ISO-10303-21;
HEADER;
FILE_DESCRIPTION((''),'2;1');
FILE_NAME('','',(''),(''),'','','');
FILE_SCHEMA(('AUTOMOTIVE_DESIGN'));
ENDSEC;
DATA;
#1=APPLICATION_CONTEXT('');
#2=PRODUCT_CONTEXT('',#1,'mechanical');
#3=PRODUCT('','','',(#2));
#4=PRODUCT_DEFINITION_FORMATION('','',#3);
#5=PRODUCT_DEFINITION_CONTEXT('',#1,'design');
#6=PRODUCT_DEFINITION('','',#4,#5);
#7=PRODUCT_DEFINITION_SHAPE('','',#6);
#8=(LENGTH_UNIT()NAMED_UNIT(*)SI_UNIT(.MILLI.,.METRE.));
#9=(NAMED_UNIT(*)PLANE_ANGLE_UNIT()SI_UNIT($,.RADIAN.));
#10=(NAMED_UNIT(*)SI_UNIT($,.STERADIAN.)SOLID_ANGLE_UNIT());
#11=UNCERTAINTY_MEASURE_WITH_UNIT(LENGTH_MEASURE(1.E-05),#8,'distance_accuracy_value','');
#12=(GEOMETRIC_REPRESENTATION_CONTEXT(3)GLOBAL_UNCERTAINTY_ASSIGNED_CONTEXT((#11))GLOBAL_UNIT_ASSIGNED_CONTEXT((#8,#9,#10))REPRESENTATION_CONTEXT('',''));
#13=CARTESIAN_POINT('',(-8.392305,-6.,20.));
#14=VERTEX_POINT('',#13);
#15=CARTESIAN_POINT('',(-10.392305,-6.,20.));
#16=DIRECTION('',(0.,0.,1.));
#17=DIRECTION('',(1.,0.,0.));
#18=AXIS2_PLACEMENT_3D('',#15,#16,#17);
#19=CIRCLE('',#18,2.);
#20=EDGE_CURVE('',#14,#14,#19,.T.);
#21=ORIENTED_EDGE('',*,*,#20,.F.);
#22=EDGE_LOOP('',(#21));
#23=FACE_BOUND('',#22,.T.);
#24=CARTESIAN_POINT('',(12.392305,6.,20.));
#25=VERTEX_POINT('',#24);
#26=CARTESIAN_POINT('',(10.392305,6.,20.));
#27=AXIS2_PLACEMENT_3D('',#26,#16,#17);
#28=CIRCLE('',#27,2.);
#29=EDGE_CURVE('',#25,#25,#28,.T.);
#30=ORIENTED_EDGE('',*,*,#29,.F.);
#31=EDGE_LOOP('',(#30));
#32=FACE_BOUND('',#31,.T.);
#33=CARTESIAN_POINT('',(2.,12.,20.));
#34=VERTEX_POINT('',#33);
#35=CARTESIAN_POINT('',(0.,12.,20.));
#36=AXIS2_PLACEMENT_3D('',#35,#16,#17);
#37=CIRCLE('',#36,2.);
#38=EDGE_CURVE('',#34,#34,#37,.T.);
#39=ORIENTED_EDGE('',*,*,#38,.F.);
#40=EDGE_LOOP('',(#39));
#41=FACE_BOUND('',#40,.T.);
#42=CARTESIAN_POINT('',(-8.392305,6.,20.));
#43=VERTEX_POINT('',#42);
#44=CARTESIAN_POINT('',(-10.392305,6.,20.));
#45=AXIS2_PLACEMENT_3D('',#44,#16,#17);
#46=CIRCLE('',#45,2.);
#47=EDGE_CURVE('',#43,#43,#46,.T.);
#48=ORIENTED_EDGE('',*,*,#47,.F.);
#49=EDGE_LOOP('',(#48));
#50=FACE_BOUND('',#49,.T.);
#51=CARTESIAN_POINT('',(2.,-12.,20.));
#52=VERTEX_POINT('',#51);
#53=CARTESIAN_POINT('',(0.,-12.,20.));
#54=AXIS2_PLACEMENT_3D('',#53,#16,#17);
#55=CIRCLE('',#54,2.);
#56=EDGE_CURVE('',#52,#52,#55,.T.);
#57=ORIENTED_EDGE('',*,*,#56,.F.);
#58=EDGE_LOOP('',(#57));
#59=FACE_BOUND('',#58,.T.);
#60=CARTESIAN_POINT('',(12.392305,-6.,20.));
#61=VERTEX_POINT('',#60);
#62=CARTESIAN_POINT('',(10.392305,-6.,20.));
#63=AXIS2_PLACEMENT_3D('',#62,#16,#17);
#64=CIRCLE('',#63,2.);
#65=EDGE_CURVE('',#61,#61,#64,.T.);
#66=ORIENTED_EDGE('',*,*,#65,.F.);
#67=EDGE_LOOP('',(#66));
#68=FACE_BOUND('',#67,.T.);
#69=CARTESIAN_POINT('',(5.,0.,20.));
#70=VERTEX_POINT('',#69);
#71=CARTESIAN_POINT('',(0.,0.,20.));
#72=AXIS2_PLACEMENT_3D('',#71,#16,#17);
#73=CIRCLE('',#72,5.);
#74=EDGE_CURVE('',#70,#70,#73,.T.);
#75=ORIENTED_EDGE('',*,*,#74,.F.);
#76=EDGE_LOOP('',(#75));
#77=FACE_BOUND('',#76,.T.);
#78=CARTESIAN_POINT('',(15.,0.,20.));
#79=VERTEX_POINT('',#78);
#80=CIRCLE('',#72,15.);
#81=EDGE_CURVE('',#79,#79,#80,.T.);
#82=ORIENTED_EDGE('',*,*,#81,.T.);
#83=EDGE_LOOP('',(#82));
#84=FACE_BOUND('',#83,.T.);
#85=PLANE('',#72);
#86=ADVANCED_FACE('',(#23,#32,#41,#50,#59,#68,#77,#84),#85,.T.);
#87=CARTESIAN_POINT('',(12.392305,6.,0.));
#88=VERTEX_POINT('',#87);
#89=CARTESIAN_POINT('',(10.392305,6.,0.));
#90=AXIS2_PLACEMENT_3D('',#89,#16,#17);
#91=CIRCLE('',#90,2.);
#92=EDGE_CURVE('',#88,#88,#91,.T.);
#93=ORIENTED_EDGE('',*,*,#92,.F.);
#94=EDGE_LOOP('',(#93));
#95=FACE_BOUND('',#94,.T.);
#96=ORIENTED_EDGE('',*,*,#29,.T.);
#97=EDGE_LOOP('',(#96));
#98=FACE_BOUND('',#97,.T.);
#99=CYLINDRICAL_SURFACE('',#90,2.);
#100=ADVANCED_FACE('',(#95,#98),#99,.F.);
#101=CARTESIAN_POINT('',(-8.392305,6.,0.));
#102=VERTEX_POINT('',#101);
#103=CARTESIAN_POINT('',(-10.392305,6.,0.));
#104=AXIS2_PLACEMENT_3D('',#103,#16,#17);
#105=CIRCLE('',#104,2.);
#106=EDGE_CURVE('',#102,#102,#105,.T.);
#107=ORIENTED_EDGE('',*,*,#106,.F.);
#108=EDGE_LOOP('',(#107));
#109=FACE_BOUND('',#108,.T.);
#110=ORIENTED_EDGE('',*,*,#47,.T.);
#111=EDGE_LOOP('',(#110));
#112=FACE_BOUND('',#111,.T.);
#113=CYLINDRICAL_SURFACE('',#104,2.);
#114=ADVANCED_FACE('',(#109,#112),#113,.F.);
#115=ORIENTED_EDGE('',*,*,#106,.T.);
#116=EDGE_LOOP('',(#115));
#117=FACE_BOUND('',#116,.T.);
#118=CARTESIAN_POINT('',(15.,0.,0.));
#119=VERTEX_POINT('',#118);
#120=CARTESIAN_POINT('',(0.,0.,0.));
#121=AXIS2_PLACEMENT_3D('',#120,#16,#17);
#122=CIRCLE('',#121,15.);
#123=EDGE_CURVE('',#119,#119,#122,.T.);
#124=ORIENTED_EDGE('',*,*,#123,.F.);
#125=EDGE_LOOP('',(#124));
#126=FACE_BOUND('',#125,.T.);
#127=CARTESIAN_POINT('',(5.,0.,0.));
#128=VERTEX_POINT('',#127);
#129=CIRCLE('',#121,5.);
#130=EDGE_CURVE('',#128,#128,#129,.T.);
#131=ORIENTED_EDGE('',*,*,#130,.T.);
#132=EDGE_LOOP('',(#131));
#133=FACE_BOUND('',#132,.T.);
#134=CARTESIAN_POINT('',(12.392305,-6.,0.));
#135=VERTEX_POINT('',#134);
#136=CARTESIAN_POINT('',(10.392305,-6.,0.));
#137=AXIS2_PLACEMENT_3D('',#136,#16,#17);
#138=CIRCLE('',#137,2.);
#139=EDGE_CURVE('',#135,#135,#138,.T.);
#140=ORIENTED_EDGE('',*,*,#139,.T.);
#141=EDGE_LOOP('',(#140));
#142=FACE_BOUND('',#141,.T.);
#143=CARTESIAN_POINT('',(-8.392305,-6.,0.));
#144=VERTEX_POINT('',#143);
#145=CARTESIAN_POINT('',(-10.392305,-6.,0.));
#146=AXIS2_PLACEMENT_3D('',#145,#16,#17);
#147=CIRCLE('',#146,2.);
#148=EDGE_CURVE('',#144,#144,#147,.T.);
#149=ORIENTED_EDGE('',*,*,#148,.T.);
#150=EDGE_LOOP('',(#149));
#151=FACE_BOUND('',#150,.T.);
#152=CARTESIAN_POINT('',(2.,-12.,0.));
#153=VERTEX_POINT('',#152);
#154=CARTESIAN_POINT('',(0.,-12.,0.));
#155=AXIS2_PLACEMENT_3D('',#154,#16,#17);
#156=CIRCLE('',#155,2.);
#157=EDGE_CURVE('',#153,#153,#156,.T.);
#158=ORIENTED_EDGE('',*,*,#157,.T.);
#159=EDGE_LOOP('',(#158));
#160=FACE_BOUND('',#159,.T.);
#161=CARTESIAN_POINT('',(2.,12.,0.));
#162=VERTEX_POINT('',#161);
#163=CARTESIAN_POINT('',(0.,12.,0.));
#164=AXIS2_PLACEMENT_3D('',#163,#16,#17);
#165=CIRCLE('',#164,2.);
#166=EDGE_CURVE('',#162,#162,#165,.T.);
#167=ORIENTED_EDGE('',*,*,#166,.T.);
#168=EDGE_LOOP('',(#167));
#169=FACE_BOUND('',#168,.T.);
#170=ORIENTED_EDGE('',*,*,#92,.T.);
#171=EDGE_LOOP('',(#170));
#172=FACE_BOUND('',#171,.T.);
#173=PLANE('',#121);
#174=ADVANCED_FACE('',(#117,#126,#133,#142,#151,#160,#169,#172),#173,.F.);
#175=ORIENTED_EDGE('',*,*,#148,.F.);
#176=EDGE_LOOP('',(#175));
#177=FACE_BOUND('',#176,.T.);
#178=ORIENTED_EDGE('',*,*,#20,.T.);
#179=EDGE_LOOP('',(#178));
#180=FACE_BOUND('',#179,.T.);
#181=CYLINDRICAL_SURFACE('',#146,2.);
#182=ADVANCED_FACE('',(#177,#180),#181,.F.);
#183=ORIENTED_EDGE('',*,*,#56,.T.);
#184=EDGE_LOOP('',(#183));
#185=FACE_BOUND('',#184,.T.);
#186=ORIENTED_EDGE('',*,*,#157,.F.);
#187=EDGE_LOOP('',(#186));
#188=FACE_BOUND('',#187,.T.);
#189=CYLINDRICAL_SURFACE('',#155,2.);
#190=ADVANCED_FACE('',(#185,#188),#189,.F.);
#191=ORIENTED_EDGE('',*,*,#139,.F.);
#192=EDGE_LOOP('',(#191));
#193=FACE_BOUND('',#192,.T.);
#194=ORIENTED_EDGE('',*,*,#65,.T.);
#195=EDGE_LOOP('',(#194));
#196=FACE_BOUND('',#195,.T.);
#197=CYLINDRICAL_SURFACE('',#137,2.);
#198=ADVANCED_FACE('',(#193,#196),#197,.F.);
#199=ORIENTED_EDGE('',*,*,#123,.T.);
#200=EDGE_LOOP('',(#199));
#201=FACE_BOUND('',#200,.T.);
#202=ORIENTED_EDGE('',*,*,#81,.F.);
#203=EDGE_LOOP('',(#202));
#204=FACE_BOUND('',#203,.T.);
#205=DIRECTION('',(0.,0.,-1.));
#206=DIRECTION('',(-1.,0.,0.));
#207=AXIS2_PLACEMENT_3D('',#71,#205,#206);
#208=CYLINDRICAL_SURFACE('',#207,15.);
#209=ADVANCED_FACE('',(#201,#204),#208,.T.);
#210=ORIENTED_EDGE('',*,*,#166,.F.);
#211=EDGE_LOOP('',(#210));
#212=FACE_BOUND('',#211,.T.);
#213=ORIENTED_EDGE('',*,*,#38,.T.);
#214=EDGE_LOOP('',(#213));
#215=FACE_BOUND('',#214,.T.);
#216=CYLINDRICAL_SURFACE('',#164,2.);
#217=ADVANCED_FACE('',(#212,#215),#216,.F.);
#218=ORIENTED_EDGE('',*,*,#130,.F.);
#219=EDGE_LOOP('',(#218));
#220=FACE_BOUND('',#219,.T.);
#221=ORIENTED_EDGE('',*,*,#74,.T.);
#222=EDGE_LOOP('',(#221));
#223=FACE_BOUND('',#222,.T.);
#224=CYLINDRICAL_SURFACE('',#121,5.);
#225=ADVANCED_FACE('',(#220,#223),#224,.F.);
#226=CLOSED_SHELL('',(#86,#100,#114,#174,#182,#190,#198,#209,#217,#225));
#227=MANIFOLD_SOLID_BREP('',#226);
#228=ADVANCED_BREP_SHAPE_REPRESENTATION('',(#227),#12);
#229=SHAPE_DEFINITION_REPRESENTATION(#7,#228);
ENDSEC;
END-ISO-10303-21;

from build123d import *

# Parameters (mm, degrees)
SKETCH1_R           = 15
BOSS_EXTRUDE1_DEPTH = 20
SKETCH2_R           = 5
SKETCH2_R_2         = 2
CUT_EXTRUDE1_DEPTH  = 30.154759474


with BuildPart() as part:
    # Sketch1 → Boss-Extrude1 (new body)
    with BuildSketch(Plane.XY):
        Circle(SKETCH1_R)
    extrude(amount=BOSS_EXTRUDE1_DEPTH)

    # Sketch2 → Cut-Extrude1 (cut, through all)
    with BuildSketch(Plane.XY.offset(20)):
        Circle(SKETCH2_R)
        with Locations((0, 12)):
            Circle(SKETCH2_R_2)
        with Locations((10.392304845, 6)):
            Circle(SKETCH2_R_2)
        with Locations((10.392304845, -6)):
            Circle(SKETCH2_R_2)
        with Locations((0, -12)):
            Circle(SKETCH2_R_2)
        with Locations((-10.392304845, -6)):
            Circle(SKETCH2_R_2)
        with Locations((-10.392304845, 6)):
            Circle(SKETCH2_R_2)
    extrude(amount=-CUT_EXTRUDE1_DEPTH, mode=Mode.SUBTRACT)


solid = part.part
